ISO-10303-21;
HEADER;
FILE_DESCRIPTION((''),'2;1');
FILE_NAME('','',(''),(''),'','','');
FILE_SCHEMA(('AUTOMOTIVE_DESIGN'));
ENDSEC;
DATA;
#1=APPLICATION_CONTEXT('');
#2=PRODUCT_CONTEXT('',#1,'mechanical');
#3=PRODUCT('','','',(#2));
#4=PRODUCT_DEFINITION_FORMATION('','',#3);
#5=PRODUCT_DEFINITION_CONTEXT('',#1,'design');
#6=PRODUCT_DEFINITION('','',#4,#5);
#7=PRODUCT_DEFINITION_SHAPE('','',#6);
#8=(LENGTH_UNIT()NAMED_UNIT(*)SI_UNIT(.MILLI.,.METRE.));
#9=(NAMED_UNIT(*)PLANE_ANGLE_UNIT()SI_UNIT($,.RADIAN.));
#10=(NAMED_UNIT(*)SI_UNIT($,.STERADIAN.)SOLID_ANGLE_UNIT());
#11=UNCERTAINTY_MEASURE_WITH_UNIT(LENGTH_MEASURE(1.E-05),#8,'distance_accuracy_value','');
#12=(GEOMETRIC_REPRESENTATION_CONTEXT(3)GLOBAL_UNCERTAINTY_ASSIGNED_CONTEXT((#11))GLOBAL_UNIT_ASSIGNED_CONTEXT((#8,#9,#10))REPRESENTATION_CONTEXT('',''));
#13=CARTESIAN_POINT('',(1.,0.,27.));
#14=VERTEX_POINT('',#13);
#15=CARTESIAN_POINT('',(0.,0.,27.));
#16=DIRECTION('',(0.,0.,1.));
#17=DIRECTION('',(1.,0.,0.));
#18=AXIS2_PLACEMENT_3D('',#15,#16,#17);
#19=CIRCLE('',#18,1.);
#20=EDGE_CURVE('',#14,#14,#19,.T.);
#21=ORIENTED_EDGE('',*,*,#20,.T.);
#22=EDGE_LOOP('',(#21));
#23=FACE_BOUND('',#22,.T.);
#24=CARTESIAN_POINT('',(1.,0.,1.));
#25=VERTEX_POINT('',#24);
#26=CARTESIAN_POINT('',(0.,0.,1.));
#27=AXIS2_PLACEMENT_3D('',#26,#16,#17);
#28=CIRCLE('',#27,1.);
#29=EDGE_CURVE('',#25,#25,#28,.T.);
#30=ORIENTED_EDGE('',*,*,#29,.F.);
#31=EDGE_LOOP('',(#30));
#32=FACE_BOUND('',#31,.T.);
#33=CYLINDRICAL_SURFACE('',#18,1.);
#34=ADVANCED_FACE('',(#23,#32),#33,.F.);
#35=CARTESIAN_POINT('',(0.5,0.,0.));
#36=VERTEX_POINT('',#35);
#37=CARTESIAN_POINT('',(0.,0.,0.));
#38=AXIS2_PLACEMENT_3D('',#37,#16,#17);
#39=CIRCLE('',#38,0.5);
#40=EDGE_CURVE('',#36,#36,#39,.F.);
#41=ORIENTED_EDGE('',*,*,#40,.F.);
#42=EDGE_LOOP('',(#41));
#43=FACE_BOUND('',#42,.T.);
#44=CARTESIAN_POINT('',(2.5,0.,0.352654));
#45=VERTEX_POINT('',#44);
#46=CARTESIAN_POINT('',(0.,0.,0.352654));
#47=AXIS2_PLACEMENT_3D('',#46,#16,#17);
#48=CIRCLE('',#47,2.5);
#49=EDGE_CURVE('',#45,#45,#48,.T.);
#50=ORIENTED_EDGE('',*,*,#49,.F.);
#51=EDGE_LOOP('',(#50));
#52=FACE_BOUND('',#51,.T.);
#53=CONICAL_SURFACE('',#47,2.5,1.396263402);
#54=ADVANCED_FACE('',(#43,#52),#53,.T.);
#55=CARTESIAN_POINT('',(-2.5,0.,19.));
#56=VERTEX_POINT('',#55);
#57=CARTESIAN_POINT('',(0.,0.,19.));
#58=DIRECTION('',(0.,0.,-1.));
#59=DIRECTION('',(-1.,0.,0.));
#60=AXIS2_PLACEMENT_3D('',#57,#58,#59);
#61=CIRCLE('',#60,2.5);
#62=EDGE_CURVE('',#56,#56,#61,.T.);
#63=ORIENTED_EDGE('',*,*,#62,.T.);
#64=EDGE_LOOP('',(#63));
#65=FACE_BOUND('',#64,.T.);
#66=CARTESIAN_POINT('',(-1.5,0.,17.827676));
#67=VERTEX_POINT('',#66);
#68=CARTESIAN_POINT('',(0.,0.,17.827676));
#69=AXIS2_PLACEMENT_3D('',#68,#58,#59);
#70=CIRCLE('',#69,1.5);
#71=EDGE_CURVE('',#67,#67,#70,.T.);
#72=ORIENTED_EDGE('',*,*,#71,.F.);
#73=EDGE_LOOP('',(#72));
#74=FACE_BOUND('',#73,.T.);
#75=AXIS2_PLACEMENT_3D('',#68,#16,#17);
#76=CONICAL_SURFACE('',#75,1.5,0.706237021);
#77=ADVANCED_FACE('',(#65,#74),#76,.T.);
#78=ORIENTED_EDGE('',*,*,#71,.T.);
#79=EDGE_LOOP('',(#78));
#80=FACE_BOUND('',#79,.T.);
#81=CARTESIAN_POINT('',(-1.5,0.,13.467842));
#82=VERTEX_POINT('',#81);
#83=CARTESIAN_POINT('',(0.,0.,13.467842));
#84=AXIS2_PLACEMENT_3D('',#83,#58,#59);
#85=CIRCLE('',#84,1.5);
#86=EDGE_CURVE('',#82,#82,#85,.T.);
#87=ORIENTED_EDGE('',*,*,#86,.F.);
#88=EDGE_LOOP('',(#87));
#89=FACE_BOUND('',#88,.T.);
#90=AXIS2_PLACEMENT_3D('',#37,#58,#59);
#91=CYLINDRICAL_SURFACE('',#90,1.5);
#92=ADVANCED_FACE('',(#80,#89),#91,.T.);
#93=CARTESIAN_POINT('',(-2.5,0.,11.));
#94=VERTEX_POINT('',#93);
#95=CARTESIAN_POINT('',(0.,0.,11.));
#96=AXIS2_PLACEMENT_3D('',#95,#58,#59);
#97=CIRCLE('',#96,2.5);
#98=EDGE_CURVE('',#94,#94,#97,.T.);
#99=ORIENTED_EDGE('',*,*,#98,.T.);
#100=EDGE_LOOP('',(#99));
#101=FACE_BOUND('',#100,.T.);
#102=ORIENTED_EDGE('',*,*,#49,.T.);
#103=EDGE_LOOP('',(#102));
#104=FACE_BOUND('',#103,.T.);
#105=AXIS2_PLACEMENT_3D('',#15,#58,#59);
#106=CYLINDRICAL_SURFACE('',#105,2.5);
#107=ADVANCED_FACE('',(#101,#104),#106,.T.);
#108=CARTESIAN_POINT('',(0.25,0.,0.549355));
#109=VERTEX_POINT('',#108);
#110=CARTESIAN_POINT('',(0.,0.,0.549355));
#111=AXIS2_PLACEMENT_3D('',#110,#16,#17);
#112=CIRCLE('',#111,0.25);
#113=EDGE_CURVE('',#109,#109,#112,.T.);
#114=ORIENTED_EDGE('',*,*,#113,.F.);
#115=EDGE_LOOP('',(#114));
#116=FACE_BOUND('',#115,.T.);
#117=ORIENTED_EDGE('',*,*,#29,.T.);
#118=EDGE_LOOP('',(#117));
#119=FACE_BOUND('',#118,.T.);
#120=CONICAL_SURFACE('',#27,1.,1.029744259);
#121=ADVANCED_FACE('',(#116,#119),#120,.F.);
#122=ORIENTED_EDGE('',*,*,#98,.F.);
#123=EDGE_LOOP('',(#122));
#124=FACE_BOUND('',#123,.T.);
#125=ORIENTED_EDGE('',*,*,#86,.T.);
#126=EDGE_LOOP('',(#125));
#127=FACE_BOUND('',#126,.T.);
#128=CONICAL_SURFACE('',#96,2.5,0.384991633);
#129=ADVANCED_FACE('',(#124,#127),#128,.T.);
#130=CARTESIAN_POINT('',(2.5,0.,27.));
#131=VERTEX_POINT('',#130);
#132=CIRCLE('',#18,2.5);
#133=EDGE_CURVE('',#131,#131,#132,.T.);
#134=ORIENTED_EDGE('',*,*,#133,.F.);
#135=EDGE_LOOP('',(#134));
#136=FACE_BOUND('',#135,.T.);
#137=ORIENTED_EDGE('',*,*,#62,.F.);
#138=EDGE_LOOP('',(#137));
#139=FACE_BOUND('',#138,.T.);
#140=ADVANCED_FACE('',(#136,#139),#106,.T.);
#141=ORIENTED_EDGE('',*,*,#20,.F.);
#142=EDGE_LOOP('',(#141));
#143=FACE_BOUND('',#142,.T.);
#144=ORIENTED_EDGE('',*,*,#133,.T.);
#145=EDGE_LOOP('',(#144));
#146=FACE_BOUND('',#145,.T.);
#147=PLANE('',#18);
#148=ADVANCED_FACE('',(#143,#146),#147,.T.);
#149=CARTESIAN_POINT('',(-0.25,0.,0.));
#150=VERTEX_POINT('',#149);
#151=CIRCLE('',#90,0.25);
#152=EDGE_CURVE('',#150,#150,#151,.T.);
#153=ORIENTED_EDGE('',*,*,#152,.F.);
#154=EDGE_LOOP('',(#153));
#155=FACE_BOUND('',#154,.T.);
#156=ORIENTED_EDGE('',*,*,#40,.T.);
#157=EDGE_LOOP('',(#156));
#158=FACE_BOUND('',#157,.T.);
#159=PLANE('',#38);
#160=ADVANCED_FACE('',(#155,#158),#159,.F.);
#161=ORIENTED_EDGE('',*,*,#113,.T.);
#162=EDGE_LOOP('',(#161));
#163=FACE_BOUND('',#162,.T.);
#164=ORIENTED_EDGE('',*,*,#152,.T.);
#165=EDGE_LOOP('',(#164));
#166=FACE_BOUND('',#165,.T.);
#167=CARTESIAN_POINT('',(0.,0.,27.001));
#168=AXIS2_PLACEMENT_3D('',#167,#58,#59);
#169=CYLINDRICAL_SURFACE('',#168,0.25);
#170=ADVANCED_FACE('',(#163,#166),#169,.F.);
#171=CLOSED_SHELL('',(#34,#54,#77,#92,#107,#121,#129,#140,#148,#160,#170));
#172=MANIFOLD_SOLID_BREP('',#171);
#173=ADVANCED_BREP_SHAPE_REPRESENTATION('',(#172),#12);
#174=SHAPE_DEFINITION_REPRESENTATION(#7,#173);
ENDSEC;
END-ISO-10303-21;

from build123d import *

# Parameters (mm, degrees)
SKETCH1_R                    = 2.5
BOSS_EXTRUDE1_DEPTH          = 27
CHAMFER1_SIZE                = 2
CHAMFER1_SIZE2               = 0.352653961
F_2_0_2_DIAMETER_HOLE1_D     = 2
F_2_0_2_DIAMETER_HOLE1_DEPTH = 26
F_2_0_2_DIAMETER_HOLE1_TIP   = 0.600860619
CUT_EXTRUDE1_REACH           = 29
SKETCH6_R                    = 0.25


with BuildPart() as part:
    # Sketch1 → Boss-Extrude1 (new body)
    with BuildSketch(Plane.XY):
        Circle(SKETCH1_R)
    extrude(amount=BOSS_EXTRUDE1_DEPTH)

    # Sketch3 → Cut-Revolve1 (revolve, cut)
    with BuildSketch(Plane(origin=(0, 0, 0), x_dir=(1, 0, 0), z_dir=(0, 1, 0))):
        Polygon((2.5, -11), (1.5, -13.467842271), (1.5, -17.827676266), (2.5, -19), (3.138230266, -19), (3.138230266, -11), align=None)
    revolve(axis=Axis((0, 0, 0), (0, 0, 1)), mode=Mode.SUBTRACT)

    # Chamfer1
    chamfer1_edges = [part.edges().sort_by_distance(p)[0] for p in [
        (-2.5, 0, 0),
    ]]
    chamfer1_side = [part.faces().sort_by_distance(p)[0] for p in [
        (0, 0, 0),
    ]]
    chamfer(chamfer1_edges, length=CHAMFER1_SIZE, length2=CHAMFER1_SIZE2, reference=chamfer1_side[0])

    # Ø2.0 (2) Diameter Hole1
    with Locations(Plane.XY.offset(27)):
        with Locations((0, 0)):
            Hole(F_2_0_2_DIAMETER_HOLE1_D / 2, depth=F_2_0_2_DIAMETER_HOLE1_DEPTH)
            with Locations((0, 0, -(F_2_0_2_DIAMETER_HOLE1_DEPTH + F_2_0_2_DIAMETER_HOLE1_TIP / 2))):  # 118° drill point
                Cone(0, F_2_0_2_DIAMETER_HOLE1_D / 2, F_2_0_2_DIAMETER_HOLE1_TIP, mode=Mode.SUBTRACT)

    # Sketch6 → Cut-Extrude1 (cut, up to next)
    with BuildSketch(Plane(origin=(0, 0, 0), x_dir=(-1, 0, 0), z_dir=(0, 0, -1)), mode=Mode.PRIVATE) as cut_extrude1_sk1:
        Circle(SKETCH6_R)
    cut_extrude1_tool1 = extrude(cut_extrude1_sk1.sketch, amount=-CUT_EXTRUDE1_REACH, mode=Mode.PRIVATE) & part.part
    add(cut_extrude1_tool1.solids().sort_by_distance((0, 0, 0))[0], mode=Mode.SUBTRACT)


solid = part.part
